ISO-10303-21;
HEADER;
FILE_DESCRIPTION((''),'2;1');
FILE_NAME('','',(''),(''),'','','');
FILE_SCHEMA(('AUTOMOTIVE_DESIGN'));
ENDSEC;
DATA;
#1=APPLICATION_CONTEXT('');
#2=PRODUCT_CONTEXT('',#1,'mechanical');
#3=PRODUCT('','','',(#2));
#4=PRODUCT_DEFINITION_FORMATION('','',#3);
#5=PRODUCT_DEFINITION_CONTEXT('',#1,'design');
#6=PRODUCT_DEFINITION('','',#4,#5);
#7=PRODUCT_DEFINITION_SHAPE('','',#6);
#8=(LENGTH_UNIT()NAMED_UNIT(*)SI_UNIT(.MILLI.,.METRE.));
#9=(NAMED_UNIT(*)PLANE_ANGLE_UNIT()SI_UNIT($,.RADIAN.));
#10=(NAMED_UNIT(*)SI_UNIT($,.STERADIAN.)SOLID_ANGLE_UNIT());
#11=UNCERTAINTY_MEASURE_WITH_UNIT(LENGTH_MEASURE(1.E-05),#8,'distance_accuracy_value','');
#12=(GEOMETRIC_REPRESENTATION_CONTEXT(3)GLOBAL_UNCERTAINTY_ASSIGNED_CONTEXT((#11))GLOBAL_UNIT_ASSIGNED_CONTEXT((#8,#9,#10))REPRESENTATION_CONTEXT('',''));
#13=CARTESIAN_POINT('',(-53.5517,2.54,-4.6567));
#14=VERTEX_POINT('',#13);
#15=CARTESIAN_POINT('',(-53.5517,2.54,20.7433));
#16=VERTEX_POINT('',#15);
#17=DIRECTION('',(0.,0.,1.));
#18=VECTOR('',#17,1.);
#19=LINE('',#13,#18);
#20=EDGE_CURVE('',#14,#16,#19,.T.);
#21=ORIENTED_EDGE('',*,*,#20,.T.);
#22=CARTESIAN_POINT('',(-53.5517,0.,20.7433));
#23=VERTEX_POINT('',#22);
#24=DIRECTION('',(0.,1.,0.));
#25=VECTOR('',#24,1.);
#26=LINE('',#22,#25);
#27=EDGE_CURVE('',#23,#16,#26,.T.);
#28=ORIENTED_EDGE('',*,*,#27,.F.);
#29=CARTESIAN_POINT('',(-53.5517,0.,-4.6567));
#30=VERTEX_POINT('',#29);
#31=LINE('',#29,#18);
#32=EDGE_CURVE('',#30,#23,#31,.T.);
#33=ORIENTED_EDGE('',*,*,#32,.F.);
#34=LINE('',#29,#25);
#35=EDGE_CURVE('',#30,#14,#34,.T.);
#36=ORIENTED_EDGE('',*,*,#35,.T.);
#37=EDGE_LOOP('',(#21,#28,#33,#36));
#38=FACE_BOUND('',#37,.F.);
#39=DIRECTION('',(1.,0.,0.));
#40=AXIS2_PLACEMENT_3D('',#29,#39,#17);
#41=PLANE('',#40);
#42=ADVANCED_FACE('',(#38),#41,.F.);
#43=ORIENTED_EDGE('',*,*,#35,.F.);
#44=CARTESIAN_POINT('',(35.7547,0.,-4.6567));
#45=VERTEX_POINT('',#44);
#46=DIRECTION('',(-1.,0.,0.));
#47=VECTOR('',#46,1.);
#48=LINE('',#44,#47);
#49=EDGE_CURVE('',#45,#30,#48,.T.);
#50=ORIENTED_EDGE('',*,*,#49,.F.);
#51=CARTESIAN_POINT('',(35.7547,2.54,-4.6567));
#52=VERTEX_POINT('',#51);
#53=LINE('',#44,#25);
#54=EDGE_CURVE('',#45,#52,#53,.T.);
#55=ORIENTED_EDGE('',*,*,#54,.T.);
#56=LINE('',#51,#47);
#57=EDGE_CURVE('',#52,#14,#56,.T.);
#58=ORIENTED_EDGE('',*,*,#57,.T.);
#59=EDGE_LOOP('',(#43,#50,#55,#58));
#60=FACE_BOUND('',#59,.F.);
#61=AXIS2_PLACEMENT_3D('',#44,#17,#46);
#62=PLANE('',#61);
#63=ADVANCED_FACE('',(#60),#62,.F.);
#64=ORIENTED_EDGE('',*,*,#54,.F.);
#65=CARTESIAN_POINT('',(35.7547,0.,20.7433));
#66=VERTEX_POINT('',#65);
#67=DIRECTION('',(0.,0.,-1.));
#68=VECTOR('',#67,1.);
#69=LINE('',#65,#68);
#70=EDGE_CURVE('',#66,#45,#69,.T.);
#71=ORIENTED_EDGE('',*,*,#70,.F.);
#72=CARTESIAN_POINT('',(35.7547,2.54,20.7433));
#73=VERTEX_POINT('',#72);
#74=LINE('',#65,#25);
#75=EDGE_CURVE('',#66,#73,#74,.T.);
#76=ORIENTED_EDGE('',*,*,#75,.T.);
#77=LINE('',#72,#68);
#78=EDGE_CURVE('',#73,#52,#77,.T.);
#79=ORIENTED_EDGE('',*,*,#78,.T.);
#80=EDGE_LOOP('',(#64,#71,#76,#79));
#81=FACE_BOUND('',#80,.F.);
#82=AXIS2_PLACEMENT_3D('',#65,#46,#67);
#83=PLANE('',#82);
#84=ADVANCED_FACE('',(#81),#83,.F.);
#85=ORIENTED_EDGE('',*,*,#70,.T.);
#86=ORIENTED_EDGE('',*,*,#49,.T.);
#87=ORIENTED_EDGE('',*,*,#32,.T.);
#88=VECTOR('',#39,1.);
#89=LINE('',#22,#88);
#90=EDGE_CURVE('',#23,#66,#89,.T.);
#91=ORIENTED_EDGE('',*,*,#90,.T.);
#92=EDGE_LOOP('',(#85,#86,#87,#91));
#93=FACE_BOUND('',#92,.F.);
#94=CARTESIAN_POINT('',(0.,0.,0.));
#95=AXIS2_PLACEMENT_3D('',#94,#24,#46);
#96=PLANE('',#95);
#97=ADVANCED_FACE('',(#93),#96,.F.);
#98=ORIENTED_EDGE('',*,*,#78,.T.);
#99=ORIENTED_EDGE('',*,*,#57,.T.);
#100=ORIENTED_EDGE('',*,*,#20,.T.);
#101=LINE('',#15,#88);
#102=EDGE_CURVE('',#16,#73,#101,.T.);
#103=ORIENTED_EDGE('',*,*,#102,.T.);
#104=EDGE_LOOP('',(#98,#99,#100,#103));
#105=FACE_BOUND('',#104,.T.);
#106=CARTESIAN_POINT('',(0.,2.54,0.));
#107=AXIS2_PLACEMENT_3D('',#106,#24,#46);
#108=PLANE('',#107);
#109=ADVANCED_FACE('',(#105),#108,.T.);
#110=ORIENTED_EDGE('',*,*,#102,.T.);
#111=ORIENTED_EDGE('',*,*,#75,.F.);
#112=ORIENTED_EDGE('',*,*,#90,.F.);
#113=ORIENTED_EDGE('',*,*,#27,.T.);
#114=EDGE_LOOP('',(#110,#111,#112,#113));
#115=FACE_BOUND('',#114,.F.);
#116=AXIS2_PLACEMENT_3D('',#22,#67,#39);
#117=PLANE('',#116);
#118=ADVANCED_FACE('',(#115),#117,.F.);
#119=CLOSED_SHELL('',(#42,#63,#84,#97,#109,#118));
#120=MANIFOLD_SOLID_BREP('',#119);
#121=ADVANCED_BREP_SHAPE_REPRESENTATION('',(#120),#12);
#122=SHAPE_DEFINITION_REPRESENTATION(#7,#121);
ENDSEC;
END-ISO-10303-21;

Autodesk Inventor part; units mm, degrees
ref_plane "YZ Plane" through (0, 0, 0) normal (1, 0, 0) x (0, 1, 0)
ref_plane "XZ Plane" through (0, 0, 0) normal (0, 1, 0) x (-1, 0, 0)
ref_plane "XY Plane" through (0, 0, 0) normal (0, 0, 1) x (1, 0, 0)
sketch "Sketch1" plane through (0, 0, 0) normal (0, 1, 0) x (-1, 0, 0)
  line L0 (53.5517, 20.7433) -> (-35.7547, 20.7433)
  line L1 (-35.7547, 20.7433) -> (-35.7547, -4.6567)
  line L2 (-35.7547, -4.6567) -> (53.5517, -4.6567)
  line L3 (53.5517, -4.6567) -> (53.5517, 20.7433)
  point P0 (0, 0)
  dimension "d0" = 25.4
  dimension "d1" = 89.3064
extrude "Extrusion1" add sketch "Sketch1" along normal blind 2.54
properties part number "ROV plate 1"
